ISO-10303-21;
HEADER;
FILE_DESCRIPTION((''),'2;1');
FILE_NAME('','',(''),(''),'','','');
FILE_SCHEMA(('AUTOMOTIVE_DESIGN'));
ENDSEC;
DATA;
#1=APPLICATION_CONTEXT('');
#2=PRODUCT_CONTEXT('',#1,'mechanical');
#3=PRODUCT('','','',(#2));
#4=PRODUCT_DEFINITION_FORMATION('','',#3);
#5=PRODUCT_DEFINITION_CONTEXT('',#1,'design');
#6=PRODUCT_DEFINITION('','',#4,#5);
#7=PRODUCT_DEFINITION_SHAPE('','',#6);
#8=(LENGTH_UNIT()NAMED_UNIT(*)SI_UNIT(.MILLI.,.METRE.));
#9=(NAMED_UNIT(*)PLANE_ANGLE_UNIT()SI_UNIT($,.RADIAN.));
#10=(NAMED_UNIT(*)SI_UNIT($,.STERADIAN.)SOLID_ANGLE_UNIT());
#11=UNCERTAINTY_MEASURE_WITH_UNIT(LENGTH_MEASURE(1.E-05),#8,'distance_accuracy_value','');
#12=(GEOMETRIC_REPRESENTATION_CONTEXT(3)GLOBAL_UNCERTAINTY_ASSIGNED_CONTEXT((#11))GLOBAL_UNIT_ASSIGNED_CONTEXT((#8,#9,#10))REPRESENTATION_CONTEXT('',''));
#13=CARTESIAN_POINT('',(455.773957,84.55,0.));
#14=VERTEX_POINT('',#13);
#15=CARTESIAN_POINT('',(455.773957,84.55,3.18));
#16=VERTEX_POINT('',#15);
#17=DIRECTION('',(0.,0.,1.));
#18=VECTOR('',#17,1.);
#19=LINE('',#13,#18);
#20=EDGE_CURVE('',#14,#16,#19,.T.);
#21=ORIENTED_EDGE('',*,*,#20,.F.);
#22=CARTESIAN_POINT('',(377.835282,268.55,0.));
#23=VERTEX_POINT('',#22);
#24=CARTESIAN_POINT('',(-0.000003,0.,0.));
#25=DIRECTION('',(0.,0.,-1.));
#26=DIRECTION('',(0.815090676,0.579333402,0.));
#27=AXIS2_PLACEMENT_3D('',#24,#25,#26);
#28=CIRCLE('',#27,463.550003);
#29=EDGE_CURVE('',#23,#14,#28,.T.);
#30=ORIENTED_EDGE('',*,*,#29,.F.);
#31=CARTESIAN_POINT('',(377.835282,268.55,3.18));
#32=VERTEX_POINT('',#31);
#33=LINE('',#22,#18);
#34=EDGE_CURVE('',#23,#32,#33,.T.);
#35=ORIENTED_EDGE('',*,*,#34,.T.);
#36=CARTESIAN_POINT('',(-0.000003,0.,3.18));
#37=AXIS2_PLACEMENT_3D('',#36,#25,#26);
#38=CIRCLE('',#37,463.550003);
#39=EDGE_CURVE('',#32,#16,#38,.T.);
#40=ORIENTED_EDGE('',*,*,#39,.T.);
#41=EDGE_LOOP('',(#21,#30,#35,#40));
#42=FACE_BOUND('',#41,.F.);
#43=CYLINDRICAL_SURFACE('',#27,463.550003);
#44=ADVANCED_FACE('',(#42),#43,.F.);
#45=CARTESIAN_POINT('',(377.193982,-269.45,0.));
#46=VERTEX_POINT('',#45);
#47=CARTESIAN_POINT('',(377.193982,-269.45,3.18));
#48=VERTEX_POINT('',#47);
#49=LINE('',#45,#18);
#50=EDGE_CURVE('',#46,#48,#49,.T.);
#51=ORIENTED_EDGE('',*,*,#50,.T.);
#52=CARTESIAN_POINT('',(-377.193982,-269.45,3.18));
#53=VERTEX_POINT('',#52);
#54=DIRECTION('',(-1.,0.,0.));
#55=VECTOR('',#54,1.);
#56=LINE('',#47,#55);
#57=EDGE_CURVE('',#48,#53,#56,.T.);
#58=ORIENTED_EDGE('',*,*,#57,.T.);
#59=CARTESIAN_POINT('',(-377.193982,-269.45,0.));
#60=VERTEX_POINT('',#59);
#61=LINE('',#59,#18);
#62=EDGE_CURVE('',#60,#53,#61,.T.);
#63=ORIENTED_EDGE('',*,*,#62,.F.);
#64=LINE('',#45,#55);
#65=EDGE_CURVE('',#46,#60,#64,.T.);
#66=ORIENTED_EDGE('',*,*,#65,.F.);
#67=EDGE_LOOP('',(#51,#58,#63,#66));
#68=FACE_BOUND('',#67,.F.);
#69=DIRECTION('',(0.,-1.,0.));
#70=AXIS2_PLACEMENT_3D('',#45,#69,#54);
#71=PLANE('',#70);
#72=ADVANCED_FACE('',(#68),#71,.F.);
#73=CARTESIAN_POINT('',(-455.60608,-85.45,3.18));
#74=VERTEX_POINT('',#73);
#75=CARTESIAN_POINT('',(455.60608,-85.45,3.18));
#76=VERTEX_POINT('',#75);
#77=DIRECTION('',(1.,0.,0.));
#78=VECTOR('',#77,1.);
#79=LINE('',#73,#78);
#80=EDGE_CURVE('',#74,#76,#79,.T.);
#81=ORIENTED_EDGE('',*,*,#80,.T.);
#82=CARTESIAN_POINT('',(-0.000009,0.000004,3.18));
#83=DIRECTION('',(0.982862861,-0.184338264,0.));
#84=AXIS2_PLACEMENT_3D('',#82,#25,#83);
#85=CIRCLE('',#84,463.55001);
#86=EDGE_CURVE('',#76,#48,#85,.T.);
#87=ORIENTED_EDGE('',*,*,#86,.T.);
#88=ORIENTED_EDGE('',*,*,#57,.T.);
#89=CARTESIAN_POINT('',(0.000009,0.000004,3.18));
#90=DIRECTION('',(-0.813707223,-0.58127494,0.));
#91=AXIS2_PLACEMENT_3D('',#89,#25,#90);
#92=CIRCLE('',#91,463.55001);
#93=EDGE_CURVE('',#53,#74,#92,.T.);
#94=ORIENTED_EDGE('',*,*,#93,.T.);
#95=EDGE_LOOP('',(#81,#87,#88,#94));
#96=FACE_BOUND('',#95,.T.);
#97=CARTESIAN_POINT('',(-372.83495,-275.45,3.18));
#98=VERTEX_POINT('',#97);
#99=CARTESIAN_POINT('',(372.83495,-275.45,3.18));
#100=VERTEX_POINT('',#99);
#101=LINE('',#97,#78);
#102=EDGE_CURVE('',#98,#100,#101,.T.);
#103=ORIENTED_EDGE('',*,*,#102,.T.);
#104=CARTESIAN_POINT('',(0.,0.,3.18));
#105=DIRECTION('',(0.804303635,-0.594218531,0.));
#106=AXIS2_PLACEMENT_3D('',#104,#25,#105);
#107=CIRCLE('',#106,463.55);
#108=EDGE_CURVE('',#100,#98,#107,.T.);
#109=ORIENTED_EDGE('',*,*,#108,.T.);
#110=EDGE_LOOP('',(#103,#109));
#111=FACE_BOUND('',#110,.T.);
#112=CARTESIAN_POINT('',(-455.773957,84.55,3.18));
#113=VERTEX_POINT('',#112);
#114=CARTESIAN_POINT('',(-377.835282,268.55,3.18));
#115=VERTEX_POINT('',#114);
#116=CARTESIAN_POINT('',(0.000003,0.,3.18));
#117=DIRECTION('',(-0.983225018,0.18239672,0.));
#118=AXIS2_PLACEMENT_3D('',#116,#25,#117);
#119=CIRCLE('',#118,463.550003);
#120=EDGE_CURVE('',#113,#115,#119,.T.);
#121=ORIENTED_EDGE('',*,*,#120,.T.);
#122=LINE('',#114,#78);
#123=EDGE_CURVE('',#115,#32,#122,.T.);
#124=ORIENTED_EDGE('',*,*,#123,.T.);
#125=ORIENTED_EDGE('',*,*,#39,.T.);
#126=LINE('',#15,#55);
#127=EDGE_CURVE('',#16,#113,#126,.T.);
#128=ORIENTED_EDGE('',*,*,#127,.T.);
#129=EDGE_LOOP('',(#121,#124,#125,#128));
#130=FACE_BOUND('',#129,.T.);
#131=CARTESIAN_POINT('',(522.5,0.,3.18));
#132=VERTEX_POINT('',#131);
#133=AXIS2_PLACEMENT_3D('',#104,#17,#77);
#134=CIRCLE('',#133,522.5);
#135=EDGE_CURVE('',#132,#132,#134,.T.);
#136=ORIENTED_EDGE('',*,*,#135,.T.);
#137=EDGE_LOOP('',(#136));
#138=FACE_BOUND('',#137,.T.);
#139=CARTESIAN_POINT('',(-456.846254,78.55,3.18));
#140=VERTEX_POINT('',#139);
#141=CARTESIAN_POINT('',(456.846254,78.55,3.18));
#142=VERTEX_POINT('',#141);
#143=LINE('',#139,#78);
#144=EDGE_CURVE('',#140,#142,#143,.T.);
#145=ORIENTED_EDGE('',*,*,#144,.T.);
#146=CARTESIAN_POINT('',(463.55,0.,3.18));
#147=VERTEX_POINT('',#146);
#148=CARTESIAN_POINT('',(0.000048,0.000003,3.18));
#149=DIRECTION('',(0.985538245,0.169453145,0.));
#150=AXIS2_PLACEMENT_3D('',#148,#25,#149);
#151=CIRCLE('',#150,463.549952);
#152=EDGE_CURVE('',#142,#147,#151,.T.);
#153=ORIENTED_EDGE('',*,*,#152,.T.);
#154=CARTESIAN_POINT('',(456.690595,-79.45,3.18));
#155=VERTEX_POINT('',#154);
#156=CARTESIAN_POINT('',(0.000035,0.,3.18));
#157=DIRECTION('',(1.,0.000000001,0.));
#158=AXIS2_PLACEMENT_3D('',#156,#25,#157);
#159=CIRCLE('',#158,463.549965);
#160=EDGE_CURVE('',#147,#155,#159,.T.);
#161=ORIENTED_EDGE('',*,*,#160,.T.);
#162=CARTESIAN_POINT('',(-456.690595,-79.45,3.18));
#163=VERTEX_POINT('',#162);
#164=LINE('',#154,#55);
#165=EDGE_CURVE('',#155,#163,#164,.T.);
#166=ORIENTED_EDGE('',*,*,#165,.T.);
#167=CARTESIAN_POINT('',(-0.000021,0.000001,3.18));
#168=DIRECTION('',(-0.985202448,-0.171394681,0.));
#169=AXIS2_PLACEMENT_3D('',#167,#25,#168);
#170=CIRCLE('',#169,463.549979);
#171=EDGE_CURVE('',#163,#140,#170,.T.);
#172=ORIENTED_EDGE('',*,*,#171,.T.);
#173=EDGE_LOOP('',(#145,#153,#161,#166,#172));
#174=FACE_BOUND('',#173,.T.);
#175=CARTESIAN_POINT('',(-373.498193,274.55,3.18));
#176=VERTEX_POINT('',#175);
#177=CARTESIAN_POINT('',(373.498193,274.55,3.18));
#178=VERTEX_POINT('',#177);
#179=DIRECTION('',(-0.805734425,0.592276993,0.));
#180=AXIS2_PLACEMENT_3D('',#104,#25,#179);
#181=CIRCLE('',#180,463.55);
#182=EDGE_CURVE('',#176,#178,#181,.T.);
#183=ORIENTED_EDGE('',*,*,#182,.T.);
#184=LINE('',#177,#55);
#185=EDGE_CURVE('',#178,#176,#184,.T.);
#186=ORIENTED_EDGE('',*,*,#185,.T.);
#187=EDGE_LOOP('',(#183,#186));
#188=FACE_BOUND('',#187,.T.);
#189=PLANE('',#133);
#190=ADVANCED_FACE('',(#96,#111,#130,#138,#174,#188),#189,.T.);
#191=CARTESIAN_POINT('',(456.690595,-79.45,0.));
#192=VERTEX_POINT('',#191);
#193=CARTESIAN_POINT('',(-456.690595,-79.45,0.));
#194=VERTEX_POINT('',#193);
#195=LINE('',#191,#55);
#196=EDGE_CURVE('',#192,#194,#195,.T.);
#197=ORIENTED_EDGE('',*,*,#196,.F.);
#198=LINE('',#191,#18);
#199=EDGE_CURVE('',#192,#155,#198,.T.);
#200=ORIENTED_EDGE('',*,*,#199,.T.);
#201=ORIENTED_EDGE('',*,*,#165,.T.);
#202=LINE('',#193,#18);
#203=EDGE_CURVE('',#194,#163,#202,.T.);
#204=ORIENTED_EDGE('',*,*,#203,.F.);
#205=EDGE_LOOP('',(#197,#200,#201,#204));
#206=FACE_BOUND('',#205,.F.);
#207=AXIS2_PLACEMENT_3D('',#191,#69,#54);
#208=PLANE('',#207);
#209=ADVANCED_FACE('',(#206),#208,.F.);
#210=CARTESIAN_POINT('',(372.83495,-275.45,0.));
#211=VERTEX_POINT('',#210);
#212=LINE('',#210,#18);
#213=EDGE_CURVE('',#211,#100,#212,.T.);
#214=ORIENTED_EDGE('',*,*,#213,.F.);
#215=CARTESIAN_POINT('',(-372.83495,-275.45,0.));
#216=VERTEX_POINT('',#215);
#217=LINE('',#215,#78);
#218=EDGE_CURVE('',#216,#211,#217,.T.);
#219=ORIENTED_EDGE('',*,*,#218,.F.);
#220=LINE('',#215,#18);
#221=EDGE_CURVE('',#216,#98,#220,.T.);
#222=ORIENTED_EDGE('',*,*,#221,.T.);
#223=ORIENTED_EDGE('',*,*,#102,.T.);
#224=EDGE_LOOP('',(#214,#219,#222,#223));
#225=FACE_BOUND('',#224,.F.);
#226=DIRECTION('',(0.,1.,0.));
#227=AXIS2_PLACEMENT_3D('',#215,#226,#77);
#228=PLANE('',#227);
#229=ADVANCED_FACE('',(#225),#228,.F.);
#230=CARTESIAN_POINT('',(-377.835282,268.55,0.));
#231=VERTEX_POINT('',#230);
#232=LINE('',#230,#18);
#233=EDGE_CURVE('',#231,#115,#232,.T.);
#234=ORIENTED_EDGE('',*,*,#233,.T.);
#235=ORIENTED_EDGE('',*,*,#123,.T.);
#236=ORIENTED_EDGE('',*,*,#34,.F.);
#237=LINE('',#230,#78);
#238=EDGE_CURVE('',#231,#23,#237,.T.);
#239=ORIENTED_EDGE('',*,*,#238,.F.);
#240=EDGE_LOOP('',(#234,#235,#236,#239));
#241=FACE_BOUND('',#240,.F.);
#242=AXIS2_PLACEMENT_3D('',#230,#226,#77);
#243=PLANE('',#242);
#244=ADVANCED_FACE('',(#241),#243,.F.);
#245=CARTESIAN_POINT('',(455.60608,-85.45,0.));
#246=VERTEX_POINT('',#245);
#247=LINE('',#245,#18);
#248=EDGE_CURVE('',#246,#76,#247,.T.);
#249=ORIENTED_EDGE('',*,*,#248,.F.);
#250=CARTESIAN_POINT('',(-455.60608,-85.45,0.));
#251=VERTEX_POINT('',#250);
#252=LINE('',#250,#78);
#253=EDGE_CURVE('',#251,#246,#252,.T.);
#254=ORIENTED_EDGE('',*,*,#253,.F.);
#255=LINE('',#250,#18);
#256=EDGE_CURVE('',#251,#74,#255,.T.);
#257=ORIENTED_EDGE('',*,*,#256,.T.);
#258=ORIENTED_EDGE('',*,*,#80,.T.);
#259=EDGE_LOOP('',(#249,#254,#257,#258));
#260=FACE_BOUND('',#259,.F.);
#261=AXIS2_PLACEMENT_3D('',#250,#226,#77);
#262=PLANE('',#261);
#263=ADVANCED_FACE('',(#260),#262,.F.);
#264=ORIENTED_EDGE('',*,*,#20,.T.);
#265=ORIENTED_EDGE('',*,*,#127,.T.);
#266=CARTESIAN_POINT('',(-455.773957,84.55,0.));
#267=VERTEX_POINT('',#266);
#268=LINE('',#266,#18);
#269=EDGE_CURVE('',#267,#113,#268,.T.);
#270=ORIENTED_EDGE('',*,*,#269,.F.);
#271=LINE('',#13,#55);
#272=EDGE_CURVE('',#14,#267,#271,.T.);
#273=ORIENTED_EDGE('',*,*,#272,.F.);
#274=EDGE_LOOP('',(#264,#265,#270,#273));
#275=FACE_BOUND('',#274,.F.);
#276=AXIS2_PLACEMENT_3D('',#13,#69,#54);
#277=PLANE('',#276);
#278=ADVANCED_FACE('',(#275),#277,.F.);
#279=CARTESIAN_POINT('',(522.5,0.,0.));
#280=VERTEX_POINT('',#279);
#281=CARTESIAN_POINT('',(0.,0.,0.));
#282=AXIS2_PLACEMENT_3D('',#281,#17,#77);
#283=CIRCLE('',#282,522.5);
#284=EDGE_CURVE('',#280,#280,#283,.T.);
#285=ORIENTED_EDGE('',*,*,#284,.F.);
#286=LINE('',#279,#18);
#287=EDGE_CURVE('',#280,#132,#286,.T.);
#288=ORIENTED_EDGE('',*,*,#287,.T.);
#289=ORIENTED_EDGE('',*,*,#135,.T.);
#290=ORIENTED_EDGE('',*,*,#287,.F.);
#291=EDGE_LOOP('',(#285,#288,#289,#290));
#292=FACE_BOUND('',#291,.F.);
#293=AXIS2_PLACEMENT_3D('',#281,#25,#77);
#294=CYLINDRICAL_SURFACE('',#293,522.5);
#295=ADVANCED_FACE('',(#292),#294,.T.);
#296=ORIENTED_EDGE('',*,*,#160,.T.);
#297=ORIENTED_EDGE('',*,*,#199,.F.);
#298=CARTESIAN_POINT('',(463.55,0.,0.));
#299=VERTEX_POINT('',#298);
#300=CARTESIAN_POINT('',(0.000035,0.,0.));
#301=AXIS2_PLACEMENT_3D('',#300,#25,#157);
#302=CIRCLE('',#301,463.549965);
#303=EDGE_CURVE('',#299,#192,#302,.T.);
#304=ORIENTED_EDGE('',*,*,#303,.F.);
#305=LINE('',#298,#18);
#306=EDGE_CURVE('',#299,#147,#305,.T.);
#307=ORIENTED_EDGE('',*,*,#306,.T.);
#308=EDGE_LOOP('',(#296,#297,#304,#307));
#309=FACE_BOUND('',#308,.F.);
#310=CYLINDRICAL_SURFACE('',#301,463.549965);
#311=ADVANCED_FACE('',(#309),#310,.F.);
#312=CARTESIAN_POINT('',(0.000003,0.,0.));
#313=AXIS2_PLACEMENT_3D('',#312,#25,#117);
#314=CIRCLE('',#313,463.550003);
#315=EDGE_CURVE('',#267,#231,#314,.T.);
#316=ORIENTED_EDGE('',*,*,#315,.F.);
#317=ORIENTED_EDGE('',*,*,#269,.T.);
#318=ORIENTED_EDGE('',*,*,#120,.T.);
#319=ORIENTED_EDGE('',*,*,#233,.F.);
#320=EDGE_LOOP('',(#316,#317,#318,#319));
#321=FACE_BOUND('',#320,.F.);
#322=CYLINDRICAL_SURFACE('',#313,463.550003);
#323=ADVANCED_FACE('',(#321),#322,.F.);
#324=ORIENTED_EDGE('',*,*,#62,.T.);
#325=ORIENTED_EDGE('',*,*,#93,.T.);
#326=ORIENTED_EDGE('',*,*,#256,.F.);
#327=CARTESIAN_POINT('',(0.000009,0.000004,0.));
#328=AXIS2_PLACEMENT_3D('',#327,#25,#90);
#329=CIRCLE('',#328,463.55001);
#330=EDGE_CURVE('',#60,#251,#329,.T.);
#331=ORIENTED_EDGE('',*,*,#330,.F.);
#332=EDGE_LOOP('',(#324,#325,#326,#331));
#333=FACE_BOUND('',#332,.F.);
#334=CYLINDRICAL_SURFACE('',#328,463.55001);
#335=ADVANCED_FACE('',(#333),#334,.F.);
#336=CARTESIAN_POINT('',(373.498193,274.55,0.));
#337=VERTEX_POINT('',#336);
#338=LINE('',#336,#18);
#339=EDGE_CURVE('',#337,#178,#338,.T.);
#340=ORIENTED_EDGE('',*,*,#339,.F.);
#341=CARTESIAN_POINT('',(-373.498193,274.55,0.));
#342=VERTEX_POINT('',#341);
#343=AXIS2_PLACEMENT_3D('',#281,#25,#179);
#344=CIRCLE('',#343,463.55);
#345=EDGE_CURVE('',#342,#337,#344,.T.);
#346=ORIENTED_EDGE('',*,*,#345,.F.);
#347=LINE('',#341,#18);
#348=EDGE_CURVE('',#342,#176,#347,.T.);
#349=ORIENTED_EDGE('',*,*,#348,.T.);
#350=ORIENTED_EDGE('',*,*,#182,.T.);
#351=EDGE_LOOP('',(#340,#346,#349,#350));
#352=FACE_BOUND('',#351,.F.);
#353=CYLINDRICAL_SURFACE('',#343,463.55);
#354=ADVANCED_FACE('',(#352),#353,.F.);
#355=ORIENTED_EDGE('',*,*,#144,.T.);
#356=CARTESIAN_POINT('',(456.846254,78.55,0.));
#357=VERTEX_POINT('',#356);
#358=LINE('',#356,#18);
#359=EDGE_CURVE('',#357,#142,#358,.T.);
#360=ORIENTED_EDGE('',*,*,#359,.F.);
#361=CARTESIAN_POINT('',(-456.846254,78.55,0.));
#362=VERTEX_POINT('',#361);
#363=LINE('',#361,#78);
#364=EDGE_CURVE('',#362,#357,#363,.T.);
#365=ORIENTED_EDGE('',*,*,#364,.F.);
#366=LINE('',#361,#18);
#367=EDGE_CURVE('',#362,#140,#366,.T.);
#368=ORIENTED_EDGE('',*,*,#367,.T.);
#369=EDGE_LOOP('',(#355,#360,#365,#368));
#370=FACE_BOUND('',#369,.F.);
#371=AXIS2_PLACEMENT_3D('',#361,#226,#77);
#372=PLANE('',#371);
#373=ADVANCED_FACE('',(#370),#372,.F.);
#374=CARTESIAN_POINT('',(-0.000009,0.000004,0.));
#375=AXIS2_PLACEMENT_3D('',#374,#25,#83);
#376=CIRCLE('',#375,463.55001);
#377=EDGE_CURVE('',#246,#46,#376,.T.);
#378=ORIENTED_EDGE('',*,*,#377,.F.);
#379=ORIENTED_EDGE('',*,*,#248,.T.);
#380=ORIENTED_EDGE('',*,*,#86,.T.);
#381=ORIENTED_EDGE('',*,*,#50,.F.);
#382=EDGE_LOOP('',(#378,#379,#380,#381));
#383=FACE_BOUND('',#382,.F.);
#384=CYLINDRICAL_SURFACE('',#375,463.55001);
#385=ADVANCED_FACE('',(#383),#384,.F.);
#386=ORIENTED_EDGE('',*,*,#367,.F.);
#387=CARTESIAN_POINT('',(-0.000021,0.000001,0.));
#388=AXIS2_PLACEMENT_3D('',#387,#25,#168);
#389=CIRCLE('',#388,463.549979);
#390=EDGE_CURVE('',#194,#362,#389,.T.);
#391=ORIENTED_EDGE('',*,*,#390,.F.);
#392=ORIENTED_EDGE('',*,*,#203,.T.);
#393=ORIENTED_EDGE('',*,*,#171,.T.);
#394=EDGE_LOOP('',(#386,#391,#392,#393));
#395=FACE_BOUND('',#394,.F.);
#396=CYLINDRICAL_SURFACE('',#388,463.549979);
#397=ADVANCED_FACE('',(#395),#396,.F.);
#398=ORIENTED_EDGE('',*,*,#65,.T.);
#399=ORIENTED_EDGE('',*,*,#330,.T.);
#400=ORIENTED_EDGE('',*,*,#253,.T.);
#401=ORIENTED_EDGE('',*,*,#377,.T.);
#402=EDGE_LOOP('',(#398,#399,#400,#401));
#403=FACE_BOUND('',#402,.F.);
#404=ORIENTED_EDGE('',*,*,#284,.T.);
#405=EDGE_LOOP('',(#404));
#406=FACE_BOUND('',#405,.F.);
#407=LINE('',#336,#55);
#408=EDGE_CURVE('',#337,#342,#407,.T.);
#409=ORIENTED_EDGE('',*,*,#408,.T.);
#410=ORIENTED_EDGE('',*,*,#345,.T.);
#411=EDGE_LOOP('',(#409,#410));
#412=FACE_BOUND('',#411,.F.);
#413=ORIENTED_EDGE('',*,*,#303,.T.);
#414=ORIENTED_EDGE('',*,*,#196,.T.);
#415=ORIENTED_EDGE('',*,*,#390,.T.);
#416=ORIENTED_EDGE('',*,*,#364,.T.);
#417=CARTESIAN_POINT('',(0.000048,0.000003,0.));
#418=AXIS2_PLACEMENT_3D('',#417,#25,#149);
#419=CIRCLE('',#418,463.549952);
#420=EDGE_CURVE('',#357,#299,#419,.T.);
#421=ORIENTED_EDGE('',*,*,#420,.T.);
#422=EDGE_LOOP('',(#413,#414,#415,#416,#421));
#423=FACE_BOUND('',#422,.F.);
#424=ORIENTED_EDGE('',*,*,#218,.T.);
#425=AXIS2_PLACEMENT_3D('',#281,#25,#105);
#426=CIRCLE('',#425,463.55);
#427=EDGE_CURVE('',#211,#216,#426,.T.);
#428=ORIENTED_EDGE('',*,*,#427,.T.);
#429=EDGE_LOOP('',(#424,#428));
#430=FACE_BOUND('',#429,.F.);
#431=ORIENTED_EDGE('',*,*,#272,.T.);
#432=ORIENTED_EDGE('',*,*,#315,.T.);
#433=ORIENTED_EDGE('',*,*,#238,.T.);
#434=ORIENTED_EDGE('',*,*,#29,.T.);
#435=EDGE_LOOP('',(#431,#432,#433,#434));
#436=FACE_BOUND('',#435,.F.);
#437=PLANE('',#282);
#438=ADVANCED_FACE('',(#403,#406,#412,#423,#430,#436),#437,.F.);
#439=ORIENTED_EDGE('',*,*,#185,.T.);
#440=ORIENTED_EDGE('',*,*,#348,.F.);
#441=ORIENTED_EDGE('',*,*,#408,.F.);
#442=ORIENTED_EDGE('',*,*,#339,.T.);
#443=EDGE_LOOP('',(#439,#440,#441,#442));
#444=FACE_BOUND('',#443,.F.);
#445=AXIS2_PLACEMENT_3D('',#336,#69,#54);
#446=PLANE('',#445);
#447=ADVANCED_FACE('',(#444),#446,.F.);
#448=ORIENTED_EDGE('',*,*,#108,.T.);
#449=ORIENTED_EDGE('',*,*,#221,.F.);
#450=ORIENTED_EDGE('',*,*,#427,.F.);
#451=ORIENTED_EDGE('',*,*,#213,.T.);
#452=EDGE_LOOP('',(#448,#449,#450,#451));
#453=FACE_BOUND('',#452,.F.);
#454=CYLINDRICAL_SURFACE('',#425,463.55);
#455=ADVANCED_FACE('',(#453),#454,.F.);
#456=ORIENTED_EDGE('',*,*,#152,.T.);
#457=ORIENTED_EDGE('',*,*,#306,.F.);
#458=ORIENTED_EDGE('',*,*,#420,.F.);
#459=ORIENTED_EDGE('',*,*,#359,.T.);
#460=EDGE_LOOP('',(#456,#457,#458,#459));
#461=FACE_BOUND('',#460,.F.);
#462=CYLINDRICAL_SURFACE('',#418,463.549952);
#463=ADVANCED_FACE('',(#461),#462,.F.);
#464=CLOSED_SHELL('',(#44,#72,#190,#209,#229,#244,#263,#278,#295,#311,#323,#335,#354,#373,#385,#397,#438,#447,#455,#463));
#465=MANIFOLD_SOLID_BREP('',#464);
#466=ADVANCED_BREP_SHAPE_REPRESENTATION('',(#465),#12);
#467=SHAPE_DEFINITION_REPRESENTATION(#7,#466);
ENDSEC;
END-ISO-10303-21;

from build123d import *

# Parameters (mm, degrees)
F0_R     = 522.5
F1_DEPTH = 3.18


with BuildPart() as f1:
    # F0 (on Top) → F1 (new body)
    with BuildSketch(Plane.XY):
        Circle(F0_R)
        with BuildLine():
            ThreePointArc((456.846254, 78.55), (461.871023, 39.417771), (463.55, 0))
            ThreePointArc((463.55, 0), (461.831965, -39.872779), (456.690595, -79.45))
            ThreePointArc((456.690595, -79.45), (456.158203, -82.451783), (455.60608, -85.45))
            ThreePointArc((455.60608, -85.45), (426.442242, -181.729515), (377.193982, -269.45))
            ThreePointArc((377.193982, -269.45), (375.026465, -272.458718), (372.83495, -275.45))
            ThreePointArc((372.83495, -275.45), (0, -463.55), (-372.83495, -275.45))
            ThreePointArc((-372.83495, -275.45), (-375.026465, -272.458718), (-377.193982, -269.45))
            ThreePointArc((-377.193982, -269.45), (-426.442242, -181.729515), (-455.60608, -85.45))
            ThreePointArc((-455.60608, -85.45), (-456.158203, -82.451783), (-456.690595, -79.45))
            ThreePointArc((-456.690595, -79.45), (-463.549775, -0.456681), (-456.846254, 78.55))
            ThreePointArc((-456.846254, 78.55), (-456.319967, 81.551762), (-455.773957, 84.55))
            ThreePointArc((-455.773957, 84.55), (-426.837312, 180.799645), (-377.835282, 268.55))
            ThreePointArc((-377.835282, 268.55), (-375.678716, 271.558659), (-373.498193, 274.55))
            ThreePointArc((-373.498193, 274.55), (0, 463.55), (373.498193, 274.55))
            ThreePointArc((373.498193, 274.55), (375.678716, 271.558659), (377.835282, 268.55))
            ThreePointArc((377.835282, 268.55), (426.837312, 180.799645), (455.773957, 84.55))
            ThreePointArc((455.773957, 84.55), (456.319967, 81.551762), (456.846254, 78.55))
        make_face(mode=Mode.SUBTRACT)
        with BuildLine():
            Line((-377.835282, 268.55), (377.835282, 268.55))
            ThreePointArc((377.835282, 268.55), (375.678716, 271.558659), (373.498193, 274.55))
            Line((373.498193, 274.55), (-373.498193, 274.55))
            ThreePointArc((-373.498193, 274.55), (-375.678716, 271.558659), (-377.835282, 268.55))
        make_face()
        with BuildLine():
            Line((-456.846254, 78.55), (456.846254, 78.55))
            ThreePointArc((456.846254, 78.55), (456.319967, 81.551762), (455.773957, 84.55))
            Line((455.773957, 84.55), (-455.773957, 84.55))
            ThreePointArc((-455.773957, 84.55), (-456.319967, 81.551762), (-456.846254, 78.55))
        make_face()
        with BuildLine():
            ThreePointArc((455.60608, -85.45), (456.158203, -82.451783), (456.690595, -79.45))
            Line((456.690595, -79.45), (-456.690595, -79.45))
            ThreePointArc((-456.690595, -79.45), (-456.158203, -82.451783), (-455.60608, -85.45))
            Line((-455.60608, -85.45), (455.60608, -85.45))
        make_face()
        with BuildLine():
            ThreePointArc((372.83495, -275.45), (375.026465, -272.458718), (377.193982, -269.45))
            Line((377.193982, -269.45), (-377.193982, -269.45))
            ThreePointArc((-377.193982, -269.45), (-375.026465, -272.458718), (-372.83495, -275.45))
            Line((-372.83495, -275.45), (372.83495, -275.45))
        make_face()
    extrude(amount=F1_DEPTH)


solid = f1.part
